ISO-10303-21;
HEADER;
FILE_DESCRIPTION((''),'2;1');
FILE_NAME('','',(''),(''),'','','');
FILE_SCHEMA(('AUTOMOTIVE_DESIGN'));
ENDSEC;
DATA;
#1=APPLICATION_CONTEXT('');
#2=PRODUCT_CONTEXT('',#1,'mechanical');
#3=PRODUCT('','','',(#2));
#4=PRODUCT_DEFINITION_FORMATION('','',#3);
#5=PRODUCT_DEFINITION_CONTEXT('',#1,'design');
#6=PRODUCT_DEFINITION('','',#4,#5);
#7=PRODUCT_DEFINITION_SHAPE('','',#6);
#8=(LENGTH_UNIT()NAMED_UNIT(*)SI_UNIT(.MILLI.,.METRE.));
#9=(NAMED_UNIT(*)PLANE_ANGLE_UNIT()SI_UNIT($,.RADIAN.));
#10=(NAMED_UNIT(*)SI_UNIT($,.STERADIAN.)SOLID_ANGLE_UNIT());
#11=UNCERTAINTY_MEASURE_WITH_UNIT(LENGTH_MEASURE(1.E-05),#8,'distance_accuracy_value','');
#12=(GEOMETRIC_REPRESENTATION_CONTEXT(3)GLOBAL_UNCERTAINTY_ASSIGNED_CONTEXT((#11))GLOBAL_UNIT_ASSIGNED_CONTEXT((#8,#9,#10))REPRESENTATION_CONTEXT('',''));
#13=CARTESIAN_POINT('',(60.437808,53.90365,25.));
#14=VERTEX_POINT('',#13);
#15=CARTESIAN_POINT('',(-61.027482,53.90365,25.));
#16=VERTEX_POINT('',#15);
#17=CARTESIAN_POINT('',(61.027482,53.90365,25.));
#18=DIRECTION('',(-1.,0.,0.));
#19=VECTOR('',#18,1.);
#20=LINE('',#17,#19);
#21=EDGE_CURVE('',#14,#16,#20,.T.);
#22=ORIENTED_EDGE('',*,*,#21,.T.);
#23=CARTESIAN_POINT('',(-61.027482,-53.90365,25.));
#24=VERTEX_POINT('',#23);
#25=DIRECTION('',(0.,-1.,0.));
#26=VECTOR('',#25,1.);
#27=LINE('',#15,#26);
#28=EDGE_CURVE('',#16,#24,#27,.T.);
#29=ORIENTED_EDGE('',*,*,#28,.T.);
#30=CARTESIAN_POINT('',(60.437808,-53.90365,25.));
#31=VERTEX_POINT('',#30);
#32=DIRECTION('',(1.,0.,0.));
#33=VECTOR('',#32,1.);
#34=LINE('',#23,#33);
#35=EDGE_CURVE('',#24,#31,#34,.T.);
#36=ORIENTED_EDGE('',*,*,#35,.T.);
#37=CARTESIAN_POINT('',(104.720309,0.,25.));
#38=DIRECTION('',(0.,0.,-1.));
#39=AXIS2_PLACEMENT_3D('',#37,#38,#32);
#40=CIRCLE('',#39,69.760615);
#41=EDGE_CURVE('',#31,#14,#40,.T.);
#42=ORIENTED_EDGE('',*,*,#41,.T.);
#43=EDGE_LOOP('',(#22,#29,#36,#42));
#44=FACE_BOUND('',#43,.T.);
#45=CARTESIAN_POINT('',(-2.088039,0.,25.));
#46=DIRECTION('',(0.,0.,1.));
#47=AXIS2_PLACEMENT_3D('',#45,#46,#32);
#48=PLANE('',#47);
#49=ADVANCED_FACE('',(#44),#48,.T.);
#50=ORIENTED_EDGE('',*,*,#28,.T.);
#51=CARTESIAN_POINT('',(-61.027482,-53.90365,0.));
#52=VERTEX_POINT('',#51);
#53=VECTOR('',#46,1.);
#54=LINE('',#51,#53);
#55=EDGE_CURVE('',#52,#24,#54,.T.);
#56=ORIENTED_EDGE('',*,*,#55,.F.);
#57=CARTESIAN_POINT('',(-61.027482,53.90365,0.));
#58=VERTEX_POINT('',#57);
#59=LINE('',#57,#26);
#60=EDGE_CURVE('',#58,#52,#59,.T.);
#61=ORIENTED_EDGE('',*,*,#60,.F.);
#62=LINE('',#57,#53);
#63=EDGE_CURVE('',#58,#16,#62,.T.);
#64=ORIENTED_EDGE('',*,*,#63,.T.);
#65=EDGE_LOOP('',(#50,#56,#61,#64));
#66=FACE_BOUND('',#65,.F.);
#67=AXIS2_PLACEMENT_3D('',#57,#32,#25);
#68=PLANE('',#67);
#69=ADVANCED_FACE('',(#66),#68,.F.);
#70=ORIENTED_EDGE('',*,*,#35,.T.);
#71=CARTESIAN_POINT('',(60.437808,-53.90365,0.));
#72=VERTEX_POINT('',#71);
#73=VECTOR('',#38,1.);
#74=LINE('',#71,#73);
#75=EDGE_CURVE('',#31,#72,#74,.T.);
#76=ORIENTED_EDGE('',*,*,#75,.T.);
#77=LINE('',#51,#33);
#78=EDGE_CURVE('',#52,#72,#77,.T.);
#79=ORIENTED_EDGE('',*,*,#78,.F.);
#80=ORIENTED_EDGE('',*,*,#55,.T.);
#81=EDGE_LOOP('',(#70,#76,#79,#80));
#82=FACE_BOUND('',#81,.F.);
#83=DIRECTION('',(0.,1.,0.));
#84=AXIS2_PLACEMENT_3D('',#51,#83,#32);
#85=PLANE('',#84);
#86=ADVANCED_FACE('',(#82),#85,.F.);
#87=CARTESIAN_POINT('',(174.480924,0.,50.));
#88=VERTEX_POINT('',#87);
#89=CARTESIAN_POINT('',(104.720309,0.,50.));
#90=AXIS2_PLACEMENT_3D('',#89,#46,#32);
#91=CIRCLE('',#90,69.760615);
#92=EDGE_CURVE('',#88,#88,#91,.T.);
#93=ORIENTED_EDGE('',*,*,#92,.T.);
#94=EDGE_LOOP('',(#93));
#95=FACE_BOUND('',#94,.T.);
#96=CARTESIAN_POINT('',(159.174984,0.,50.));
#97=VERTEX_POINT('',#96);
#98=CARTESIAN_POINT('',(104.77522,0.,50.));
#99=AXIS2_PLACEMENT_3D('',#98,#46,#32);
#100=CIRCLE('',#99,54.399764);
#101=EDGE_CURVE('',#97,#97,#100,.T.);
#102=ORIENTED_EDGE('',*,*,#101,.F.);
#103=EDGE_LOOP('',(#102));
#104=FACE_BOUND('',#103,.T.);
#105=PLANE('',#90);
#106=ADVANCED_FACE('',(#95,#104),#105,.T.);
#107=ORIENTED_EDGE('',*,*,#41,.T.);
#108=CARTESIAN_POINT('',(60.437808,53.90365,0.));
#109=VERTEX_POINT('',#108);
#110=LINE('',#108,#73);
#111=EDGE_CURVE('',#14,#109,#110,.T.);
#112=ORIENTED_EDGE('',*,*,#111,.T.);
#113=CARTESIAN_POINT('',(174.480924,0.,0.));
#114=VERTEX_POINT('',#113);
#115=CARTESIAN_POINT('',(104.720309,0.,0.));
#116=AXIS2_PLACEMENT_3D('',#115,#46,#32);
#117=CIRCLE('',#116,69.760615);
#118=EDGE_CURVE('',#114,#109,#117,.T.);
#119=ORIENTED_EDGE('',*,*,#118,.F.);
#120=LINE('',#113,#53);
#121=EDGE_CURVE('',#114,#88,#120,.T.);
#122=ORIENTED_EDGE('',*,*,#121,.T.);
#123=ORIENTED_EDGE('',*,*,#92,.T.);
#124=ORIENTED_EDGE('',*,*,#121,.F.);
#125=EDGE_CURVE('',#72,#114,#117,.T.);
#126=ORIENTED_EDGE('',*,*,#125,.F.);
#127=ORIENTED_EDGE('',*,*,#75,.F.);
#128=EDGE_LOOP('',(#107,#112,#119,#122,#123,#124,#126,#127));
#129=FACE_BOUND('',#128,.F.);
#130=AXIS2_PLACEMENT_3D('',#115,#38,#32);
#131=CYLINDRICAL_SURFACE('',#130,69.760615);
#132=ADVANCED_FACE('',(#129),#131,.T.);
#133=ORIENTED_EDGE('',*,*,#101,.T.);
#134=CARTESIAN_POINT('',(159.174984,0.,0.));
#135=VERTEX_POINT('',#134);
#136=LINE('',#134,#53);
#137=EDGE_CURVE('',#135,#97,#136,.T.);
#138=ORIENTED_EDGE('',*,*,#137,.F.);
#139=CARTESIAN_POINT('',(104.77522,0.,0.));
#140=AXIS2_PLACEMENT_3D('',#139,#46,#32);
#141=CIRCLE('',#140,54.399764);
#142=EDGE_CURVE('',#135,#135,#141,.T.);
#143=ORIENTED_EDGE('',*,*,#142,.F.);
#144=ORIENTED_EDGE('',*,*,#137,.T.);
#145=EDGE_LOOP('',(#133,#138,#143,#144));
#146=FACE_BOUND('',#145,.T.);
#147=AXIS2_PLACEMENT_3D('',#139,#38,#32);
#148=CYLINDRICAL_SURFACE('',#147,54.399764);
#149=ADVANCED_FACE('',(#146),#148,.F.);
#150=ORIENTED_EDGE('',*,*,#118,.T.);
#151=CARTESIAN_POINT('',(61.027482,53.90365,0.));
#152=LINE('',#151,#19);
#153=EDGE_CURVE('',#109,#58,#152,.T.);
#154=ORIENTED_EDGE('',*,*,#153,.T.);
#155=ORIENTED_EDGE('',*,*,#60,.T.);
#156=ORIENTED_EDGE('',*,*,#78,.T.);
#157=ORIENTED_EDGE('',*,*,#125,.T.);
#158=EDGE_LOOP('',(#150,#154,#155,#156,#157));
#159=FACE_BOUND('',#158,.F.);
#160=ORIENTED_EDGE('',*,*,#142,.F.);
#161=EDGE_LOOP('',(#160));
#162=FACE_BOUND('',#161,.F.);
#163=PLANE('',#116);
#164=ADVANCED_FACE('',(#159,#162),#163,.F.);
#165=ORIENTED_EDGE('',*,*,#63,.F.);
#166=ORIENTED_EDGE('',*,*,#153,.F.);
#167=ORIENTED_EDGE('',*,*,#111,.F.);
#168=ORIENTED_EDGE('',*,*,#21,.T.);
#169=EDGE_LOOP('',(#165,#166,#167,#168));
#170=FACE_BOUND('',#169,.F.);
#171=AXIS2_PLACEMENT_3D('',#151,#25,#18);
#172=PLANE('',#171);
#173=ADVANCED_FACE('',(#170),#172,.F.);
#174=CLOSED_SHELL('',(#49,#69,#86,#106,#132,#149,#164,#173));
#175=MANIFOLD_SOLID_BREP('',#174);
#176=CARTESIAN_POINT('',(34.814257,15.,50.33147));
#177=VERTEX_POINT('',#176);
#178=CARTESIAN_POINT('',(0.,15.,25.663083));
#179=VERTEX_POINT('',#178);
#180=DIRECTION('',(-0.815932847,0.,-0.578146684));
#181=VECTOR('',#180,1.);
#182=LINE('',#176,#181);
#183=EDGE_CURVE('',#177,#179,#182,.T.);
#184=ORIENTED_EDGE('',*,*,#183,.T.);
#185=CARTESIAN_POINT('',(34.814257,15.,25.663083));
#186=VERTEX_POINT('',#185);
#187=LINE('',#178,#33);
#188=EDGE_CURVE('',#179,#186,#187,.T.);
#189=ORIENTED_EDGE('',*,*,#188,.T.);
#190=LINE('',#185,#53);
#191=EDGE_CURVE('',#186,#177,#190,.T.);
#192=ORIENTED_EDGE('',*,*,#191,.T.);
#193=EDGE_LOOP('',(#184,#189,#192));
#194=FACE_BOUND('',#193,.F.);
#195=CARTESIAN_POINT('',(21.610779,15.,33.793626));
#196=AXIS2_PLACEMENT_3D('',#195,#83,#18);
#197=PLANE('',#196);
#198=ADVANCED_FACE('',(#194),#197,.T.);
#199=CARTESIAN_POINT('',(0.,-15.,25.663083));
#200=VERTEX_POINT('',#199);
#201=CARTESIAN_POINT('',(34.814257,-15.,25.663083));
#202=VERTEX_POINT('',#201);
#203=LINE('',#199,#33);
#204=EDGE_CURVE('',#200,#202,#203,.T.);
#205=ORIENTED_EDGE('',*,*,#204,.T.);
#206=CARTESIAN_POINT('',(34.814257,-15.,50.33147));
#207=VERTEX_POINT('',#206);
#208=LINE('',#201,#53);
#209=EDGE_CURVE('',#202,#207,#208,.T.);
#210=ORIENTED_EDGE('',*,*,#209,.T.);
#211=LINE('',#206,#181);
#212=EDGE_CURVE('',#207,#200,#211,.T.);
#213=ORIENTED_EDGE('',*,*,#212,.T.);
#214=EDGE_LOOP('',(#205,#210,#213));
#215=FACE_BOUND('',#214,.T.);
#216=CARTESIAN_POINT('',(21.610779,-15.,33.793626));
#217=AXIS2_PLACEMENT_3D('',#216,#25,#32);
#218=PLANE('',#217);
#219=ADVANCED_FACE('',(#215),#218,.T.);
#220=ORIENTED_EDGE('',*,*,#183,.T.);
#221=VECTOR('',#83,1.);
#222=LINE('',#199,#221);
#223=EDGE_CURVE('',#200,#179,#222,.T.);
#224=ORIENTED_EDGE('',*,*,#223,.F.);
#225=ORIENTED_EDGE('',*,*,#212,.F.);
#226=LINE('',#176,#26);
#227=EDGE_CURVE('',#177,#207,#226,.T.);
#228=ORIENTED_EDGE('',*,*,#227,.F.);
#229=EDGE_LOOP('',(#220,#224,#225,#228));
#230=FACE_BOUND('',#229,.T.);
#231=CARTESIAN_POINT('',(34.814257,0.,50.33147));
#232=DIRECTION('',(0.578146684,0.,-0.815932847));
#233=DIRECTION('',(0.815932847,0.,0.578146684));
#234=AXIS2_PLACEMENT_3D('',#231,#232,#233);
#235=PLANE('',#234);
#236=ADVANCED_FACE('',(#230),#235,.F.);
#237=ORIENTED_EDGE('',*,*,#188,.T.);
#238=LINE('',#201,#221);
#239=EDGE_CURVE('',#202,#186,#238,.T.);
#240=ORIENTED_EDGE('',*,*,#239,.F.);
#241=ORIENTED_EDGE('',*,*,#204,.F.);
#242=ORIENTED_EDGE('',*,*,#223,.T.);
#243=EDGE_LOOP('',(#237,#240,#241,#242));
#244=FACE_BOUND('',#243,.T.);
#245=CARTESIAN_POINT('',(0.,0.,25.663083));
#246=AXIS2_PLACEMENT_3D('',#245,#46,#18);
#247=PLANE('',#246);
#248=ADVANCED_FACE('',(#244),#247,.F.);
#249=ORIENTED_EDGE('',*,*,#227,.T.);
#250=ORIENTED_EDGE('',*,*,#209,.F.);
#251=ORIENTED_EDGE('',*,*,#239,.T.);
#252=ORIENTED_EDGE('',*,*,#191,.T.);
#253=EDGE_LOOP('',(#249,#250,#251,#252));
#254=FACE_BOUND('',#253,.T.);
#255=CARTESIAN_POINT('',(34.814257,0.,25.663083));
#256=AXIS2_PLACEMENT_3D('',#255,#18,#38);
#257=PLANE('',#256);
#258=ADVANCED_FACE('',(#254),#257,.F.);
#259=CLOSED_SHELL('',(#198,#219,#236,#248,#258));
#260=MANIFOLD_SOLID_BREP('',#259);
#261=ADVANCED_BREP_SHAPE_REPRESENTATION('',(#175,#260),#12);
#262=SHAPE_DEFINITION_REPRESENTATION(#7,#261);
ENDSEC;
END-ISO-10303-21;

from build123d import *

# Parameters (mm, degrees)
F2_DEPTH = 25
F1_R     = 69.760615
F4_DEPTH = 50
F3_R     = 54.399764
F5_DEPTH = 50
F7_DEPTH = 15


with BuildPart() as f2:
    # F0 (on Top) → F2 (new body)
    with BuildSketch(Plane.XY):
        with BuildLine():
            Line((61.027482, 53.90365), (-61.027482, 53.90365))
            Line((-61.027482, 53.90365), (-61.027482, -53.90365))
            Line((-61.027482, -53.90365), (61.027482, -53.90365))
            ThreePointArc((61.027482, -53.90365), (35.531112, 0), (61.027482, 53.90365))
        make_face()
    extrude(amount=F2_DEPTH)

    # F1 (on Top) → F4 (join)
    with BuildSketch(Plane.XY):
        with Locations((104.720309, 0)):
            Circle(F1_R)
    extrude(amount=F4_DEPTH)

    # F3 (on Top) → F5 (cut)
    with BuildSketch(Plane.XY):
        with Locations((104.77522, 0)):
            Circle(F3_R)
    extrude(amount=F5_DEPTH, mode=Mode.SUBTRACT)


with BuildPart() as f7:
    # F6 (on Front) → F7 (new body)
    with BuildSketch(Plane.XZ):
        Polygon((34.814257, 25.663083), (34.814257, 50.33147), (0, 25.663083), align=None)
    extrude(amount=F7_DEPTH)

    # F8: F7 across face


with BuildPart() as f7_1:
    add(f7.part)
    add(f7.part.mirror(Plane(origin=(23.209505, 0, 33.885879), x_dir=(1, 0, 0), z_dir=(0, 1, 0))))


solid = Compound([f2.part, f7_1.part])
